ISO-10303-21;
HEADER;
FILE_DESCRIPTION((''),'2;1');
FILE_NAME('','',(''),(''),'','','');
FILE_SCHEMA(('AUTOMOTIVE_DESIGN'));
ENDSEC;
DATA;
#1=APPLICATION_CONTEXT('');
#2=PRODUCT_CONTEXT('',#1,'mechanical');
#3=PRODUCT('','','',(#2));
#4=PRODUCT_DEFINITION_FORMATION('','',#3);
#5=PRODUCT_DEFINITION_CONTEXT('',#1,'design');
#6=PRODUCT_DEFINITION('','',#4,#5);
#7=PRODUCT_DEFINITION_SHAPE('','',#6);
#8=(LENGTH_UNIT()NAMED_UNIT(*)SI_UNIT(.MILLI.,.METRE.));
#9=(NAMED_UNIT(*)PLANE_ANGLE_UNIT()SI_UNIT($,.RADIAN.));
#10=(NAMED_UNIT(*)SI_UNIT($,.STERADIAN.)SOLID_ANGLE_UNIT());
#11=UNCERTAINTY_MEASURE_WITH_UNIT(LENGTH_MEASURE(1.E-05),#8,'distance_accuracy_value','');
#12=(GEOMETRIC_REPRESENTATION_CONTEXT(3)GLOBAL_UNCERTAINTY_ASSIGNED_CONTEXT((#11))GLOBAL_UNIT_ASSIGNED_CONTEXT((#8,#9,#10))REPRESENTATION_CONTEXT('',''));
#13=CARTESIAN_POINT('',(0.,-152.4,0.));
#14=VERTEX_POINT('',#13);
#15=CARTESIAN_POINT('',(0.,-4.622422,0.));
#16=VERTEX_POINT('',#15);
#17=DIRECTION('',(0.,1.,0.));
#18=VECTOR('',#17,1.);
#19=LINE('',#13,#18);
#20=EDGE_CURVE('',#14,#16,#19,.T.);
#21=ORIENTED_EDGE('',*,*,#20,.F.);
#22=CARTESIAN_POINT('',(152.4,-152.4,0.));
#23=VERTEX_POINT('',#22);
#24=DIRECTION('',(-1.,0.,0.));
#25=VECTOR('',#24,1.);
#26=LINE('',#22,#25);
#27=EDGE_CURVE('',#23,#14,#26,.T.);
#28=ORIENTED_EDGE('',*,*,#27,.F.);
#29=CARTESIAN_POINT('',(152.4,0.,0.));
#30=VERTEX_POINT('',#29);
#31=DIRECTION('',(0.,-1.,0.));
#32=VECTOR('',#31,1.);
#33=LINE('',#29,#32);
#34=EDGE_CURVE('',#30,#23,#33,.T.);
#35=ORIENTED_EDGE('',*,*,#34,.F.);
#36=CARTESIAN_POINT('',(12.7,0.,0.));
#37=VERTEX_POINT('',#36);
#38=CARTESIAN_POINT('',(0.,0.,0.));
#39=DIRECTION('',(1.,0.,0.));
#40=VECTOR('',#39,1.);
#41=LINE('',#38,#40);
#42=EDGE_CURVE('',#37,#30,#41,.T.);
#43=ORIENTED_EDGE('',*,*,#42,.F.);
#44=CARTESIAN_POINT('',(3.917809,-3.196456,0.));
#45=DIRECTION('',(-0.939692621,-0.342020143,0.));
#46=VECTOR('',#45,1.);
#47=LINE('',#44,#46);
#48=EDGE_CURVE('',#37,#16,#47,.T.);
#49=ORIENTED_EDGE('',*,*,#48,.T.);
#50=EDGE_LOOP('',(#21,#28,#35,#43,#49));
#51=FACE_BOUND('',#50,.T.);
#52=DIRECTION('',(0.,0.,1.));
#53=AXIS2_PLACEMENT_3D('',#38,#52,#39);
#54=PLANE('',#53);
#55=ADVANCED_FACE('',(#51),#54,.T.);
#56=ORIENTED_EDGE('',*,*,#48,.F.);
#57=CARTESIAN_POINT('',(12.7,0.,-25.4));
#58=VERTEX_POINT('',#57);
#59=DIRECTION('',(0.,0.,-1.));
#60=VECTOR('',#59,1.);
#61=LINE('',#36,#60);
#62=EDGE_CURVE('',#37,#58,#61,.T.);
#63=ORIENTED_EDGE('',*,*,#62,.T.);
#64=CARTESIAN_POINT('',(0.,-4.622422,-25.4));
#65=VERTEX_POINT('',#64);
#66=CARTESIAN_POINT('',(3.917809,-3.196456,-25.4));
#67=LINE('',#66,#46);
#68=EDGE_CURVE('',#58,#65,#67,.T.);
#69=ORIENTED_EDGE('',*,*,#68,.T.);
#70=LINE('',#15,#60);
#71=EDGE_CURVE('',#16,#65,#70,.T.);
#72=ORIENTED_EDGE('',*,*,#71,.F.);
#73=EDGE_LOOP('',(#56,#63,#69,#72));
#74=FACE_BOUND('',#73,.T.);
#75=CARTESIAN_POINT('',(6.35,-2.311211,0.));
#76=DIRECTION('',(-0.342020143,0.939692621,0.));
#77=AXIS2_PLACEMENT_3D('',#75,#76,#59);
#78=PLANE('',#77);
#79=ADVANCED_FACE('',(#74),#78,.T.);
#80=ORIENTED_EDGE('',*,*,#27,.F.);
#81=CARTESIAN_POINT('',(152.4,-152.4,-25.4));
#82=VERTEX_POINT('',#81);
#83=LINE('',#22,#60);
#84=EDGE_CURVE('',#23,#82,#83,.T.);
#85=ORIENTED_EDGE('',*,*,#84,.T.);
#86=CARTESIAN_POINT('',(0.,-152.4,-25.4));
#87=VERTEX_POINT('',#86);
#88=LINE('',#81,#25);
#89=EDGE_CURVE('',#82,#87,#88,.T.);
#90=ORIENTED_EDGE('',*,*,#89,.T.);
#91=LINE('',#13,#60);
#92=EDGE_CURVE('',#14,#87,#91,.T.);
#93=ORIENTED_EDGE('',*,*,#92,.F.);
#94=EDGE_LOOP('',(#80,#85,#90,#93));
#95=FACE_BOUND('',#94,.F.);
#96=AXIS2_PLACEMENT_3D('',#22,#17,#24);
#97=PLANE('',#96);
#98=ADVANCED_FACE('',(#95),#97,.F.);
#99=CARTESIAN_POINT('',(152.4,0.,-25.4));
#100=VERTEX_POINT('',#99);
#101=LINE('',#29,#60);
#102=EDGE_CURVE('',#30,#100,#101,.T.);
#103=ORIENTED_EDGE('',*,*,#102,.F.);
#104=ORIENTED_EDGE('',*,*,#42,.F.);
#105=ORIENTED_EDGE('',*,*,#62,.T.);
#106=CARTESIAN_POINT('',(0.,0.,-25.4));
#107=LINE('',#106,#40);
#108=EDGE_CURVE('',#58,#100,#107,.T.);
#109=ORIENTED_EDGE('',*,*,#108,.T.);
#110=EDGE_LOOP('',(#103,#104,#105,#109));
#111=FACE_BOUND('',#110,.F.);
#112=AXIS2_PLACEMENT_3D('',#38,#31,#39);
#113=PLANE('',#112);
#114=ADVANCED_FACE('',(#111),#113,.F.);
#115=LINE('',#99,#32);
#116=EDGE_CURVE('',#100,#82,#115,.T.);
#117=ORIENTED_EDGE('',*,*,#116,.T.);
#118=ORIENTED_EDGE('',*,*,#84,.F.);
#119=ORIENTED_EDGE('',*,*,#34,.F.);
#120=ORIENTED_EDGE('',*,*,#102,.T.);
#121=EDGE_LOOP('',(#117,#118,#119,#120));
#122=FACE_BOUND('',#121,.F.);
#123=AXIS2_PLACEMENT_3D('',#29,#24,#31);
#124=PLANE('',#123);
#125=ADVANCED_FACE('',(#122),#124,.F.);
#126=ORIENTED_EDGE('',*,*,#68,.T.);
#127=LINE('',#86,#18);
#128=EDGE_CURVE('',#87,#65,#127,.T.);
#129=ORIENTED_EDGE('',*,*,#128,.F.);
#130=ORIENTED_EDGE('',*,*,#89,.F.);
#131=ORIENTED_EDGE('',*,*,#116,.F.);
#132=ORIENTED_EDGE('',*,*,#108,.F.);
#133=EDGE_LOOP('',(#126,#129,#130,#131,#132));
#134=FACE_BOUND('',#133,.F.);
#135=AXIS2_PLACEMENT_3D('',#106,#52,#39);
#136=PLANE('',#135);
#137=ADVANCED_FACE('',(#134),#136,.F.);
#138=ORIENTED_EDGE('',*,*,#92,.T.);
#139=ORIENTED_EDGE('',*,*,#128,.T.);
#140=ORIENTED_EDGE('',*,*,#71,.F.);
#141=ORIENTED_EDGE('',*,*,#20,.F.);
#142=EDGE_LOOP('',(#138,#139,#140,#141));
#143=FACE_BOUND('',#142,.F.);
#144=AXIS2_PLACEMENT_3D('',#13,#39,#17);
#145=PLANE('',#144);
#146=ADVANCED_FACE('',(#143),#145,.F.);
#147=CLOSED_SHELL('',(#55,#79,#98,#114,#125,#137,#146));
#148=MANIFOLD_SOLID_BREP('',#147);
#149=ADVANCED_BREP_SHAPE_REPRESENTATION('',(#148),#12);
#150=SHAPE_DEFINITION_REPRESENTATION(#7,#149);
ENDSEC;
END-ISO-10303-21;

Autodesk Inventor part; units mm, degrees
ref_plane "YZ Plane" through (0, 0, 0) normal (1, 0, 0) x (0, 1, 0)
ref_plane "XZ Plane" through (0, 0, 0) normal (0, 1, 0) x (-1, 0, 0)
ref_plane "XY Plane" through (0, 0, 0) normal (0, 0, 1) x (1, 0, 0)
sketch "Sketch1" plane through (0, 0, 0) normal (0, 0, 1) x (1, 0, 0)
  line L0 (0, 0) -> (152.4, 0)
  line L1 (152.4, 0) -> (152.4, -152.4)
  line L2 (152.4, -152.4) -> (0, -152.4)
  line L3 (0, -152.4) -> (0, 0)
  line L4 (0, 30.48) -> (0, -182.88) projected
  line L5 (-30.48, 0) -> (182.88, 0) projected
  point P0 (0, 0)
  dimension "d0" = 152.4
  dimension "d1" = 152.4
extrude "Plate" add sketch "Sketch1" against normal blind 25.4
chamfer "Corner Chamfer" distance 12.7 angle 20 1 edges at (0, 0, -12.7) measured on face at (101.6, 0, -8.4667)
properties part number "Plate"
